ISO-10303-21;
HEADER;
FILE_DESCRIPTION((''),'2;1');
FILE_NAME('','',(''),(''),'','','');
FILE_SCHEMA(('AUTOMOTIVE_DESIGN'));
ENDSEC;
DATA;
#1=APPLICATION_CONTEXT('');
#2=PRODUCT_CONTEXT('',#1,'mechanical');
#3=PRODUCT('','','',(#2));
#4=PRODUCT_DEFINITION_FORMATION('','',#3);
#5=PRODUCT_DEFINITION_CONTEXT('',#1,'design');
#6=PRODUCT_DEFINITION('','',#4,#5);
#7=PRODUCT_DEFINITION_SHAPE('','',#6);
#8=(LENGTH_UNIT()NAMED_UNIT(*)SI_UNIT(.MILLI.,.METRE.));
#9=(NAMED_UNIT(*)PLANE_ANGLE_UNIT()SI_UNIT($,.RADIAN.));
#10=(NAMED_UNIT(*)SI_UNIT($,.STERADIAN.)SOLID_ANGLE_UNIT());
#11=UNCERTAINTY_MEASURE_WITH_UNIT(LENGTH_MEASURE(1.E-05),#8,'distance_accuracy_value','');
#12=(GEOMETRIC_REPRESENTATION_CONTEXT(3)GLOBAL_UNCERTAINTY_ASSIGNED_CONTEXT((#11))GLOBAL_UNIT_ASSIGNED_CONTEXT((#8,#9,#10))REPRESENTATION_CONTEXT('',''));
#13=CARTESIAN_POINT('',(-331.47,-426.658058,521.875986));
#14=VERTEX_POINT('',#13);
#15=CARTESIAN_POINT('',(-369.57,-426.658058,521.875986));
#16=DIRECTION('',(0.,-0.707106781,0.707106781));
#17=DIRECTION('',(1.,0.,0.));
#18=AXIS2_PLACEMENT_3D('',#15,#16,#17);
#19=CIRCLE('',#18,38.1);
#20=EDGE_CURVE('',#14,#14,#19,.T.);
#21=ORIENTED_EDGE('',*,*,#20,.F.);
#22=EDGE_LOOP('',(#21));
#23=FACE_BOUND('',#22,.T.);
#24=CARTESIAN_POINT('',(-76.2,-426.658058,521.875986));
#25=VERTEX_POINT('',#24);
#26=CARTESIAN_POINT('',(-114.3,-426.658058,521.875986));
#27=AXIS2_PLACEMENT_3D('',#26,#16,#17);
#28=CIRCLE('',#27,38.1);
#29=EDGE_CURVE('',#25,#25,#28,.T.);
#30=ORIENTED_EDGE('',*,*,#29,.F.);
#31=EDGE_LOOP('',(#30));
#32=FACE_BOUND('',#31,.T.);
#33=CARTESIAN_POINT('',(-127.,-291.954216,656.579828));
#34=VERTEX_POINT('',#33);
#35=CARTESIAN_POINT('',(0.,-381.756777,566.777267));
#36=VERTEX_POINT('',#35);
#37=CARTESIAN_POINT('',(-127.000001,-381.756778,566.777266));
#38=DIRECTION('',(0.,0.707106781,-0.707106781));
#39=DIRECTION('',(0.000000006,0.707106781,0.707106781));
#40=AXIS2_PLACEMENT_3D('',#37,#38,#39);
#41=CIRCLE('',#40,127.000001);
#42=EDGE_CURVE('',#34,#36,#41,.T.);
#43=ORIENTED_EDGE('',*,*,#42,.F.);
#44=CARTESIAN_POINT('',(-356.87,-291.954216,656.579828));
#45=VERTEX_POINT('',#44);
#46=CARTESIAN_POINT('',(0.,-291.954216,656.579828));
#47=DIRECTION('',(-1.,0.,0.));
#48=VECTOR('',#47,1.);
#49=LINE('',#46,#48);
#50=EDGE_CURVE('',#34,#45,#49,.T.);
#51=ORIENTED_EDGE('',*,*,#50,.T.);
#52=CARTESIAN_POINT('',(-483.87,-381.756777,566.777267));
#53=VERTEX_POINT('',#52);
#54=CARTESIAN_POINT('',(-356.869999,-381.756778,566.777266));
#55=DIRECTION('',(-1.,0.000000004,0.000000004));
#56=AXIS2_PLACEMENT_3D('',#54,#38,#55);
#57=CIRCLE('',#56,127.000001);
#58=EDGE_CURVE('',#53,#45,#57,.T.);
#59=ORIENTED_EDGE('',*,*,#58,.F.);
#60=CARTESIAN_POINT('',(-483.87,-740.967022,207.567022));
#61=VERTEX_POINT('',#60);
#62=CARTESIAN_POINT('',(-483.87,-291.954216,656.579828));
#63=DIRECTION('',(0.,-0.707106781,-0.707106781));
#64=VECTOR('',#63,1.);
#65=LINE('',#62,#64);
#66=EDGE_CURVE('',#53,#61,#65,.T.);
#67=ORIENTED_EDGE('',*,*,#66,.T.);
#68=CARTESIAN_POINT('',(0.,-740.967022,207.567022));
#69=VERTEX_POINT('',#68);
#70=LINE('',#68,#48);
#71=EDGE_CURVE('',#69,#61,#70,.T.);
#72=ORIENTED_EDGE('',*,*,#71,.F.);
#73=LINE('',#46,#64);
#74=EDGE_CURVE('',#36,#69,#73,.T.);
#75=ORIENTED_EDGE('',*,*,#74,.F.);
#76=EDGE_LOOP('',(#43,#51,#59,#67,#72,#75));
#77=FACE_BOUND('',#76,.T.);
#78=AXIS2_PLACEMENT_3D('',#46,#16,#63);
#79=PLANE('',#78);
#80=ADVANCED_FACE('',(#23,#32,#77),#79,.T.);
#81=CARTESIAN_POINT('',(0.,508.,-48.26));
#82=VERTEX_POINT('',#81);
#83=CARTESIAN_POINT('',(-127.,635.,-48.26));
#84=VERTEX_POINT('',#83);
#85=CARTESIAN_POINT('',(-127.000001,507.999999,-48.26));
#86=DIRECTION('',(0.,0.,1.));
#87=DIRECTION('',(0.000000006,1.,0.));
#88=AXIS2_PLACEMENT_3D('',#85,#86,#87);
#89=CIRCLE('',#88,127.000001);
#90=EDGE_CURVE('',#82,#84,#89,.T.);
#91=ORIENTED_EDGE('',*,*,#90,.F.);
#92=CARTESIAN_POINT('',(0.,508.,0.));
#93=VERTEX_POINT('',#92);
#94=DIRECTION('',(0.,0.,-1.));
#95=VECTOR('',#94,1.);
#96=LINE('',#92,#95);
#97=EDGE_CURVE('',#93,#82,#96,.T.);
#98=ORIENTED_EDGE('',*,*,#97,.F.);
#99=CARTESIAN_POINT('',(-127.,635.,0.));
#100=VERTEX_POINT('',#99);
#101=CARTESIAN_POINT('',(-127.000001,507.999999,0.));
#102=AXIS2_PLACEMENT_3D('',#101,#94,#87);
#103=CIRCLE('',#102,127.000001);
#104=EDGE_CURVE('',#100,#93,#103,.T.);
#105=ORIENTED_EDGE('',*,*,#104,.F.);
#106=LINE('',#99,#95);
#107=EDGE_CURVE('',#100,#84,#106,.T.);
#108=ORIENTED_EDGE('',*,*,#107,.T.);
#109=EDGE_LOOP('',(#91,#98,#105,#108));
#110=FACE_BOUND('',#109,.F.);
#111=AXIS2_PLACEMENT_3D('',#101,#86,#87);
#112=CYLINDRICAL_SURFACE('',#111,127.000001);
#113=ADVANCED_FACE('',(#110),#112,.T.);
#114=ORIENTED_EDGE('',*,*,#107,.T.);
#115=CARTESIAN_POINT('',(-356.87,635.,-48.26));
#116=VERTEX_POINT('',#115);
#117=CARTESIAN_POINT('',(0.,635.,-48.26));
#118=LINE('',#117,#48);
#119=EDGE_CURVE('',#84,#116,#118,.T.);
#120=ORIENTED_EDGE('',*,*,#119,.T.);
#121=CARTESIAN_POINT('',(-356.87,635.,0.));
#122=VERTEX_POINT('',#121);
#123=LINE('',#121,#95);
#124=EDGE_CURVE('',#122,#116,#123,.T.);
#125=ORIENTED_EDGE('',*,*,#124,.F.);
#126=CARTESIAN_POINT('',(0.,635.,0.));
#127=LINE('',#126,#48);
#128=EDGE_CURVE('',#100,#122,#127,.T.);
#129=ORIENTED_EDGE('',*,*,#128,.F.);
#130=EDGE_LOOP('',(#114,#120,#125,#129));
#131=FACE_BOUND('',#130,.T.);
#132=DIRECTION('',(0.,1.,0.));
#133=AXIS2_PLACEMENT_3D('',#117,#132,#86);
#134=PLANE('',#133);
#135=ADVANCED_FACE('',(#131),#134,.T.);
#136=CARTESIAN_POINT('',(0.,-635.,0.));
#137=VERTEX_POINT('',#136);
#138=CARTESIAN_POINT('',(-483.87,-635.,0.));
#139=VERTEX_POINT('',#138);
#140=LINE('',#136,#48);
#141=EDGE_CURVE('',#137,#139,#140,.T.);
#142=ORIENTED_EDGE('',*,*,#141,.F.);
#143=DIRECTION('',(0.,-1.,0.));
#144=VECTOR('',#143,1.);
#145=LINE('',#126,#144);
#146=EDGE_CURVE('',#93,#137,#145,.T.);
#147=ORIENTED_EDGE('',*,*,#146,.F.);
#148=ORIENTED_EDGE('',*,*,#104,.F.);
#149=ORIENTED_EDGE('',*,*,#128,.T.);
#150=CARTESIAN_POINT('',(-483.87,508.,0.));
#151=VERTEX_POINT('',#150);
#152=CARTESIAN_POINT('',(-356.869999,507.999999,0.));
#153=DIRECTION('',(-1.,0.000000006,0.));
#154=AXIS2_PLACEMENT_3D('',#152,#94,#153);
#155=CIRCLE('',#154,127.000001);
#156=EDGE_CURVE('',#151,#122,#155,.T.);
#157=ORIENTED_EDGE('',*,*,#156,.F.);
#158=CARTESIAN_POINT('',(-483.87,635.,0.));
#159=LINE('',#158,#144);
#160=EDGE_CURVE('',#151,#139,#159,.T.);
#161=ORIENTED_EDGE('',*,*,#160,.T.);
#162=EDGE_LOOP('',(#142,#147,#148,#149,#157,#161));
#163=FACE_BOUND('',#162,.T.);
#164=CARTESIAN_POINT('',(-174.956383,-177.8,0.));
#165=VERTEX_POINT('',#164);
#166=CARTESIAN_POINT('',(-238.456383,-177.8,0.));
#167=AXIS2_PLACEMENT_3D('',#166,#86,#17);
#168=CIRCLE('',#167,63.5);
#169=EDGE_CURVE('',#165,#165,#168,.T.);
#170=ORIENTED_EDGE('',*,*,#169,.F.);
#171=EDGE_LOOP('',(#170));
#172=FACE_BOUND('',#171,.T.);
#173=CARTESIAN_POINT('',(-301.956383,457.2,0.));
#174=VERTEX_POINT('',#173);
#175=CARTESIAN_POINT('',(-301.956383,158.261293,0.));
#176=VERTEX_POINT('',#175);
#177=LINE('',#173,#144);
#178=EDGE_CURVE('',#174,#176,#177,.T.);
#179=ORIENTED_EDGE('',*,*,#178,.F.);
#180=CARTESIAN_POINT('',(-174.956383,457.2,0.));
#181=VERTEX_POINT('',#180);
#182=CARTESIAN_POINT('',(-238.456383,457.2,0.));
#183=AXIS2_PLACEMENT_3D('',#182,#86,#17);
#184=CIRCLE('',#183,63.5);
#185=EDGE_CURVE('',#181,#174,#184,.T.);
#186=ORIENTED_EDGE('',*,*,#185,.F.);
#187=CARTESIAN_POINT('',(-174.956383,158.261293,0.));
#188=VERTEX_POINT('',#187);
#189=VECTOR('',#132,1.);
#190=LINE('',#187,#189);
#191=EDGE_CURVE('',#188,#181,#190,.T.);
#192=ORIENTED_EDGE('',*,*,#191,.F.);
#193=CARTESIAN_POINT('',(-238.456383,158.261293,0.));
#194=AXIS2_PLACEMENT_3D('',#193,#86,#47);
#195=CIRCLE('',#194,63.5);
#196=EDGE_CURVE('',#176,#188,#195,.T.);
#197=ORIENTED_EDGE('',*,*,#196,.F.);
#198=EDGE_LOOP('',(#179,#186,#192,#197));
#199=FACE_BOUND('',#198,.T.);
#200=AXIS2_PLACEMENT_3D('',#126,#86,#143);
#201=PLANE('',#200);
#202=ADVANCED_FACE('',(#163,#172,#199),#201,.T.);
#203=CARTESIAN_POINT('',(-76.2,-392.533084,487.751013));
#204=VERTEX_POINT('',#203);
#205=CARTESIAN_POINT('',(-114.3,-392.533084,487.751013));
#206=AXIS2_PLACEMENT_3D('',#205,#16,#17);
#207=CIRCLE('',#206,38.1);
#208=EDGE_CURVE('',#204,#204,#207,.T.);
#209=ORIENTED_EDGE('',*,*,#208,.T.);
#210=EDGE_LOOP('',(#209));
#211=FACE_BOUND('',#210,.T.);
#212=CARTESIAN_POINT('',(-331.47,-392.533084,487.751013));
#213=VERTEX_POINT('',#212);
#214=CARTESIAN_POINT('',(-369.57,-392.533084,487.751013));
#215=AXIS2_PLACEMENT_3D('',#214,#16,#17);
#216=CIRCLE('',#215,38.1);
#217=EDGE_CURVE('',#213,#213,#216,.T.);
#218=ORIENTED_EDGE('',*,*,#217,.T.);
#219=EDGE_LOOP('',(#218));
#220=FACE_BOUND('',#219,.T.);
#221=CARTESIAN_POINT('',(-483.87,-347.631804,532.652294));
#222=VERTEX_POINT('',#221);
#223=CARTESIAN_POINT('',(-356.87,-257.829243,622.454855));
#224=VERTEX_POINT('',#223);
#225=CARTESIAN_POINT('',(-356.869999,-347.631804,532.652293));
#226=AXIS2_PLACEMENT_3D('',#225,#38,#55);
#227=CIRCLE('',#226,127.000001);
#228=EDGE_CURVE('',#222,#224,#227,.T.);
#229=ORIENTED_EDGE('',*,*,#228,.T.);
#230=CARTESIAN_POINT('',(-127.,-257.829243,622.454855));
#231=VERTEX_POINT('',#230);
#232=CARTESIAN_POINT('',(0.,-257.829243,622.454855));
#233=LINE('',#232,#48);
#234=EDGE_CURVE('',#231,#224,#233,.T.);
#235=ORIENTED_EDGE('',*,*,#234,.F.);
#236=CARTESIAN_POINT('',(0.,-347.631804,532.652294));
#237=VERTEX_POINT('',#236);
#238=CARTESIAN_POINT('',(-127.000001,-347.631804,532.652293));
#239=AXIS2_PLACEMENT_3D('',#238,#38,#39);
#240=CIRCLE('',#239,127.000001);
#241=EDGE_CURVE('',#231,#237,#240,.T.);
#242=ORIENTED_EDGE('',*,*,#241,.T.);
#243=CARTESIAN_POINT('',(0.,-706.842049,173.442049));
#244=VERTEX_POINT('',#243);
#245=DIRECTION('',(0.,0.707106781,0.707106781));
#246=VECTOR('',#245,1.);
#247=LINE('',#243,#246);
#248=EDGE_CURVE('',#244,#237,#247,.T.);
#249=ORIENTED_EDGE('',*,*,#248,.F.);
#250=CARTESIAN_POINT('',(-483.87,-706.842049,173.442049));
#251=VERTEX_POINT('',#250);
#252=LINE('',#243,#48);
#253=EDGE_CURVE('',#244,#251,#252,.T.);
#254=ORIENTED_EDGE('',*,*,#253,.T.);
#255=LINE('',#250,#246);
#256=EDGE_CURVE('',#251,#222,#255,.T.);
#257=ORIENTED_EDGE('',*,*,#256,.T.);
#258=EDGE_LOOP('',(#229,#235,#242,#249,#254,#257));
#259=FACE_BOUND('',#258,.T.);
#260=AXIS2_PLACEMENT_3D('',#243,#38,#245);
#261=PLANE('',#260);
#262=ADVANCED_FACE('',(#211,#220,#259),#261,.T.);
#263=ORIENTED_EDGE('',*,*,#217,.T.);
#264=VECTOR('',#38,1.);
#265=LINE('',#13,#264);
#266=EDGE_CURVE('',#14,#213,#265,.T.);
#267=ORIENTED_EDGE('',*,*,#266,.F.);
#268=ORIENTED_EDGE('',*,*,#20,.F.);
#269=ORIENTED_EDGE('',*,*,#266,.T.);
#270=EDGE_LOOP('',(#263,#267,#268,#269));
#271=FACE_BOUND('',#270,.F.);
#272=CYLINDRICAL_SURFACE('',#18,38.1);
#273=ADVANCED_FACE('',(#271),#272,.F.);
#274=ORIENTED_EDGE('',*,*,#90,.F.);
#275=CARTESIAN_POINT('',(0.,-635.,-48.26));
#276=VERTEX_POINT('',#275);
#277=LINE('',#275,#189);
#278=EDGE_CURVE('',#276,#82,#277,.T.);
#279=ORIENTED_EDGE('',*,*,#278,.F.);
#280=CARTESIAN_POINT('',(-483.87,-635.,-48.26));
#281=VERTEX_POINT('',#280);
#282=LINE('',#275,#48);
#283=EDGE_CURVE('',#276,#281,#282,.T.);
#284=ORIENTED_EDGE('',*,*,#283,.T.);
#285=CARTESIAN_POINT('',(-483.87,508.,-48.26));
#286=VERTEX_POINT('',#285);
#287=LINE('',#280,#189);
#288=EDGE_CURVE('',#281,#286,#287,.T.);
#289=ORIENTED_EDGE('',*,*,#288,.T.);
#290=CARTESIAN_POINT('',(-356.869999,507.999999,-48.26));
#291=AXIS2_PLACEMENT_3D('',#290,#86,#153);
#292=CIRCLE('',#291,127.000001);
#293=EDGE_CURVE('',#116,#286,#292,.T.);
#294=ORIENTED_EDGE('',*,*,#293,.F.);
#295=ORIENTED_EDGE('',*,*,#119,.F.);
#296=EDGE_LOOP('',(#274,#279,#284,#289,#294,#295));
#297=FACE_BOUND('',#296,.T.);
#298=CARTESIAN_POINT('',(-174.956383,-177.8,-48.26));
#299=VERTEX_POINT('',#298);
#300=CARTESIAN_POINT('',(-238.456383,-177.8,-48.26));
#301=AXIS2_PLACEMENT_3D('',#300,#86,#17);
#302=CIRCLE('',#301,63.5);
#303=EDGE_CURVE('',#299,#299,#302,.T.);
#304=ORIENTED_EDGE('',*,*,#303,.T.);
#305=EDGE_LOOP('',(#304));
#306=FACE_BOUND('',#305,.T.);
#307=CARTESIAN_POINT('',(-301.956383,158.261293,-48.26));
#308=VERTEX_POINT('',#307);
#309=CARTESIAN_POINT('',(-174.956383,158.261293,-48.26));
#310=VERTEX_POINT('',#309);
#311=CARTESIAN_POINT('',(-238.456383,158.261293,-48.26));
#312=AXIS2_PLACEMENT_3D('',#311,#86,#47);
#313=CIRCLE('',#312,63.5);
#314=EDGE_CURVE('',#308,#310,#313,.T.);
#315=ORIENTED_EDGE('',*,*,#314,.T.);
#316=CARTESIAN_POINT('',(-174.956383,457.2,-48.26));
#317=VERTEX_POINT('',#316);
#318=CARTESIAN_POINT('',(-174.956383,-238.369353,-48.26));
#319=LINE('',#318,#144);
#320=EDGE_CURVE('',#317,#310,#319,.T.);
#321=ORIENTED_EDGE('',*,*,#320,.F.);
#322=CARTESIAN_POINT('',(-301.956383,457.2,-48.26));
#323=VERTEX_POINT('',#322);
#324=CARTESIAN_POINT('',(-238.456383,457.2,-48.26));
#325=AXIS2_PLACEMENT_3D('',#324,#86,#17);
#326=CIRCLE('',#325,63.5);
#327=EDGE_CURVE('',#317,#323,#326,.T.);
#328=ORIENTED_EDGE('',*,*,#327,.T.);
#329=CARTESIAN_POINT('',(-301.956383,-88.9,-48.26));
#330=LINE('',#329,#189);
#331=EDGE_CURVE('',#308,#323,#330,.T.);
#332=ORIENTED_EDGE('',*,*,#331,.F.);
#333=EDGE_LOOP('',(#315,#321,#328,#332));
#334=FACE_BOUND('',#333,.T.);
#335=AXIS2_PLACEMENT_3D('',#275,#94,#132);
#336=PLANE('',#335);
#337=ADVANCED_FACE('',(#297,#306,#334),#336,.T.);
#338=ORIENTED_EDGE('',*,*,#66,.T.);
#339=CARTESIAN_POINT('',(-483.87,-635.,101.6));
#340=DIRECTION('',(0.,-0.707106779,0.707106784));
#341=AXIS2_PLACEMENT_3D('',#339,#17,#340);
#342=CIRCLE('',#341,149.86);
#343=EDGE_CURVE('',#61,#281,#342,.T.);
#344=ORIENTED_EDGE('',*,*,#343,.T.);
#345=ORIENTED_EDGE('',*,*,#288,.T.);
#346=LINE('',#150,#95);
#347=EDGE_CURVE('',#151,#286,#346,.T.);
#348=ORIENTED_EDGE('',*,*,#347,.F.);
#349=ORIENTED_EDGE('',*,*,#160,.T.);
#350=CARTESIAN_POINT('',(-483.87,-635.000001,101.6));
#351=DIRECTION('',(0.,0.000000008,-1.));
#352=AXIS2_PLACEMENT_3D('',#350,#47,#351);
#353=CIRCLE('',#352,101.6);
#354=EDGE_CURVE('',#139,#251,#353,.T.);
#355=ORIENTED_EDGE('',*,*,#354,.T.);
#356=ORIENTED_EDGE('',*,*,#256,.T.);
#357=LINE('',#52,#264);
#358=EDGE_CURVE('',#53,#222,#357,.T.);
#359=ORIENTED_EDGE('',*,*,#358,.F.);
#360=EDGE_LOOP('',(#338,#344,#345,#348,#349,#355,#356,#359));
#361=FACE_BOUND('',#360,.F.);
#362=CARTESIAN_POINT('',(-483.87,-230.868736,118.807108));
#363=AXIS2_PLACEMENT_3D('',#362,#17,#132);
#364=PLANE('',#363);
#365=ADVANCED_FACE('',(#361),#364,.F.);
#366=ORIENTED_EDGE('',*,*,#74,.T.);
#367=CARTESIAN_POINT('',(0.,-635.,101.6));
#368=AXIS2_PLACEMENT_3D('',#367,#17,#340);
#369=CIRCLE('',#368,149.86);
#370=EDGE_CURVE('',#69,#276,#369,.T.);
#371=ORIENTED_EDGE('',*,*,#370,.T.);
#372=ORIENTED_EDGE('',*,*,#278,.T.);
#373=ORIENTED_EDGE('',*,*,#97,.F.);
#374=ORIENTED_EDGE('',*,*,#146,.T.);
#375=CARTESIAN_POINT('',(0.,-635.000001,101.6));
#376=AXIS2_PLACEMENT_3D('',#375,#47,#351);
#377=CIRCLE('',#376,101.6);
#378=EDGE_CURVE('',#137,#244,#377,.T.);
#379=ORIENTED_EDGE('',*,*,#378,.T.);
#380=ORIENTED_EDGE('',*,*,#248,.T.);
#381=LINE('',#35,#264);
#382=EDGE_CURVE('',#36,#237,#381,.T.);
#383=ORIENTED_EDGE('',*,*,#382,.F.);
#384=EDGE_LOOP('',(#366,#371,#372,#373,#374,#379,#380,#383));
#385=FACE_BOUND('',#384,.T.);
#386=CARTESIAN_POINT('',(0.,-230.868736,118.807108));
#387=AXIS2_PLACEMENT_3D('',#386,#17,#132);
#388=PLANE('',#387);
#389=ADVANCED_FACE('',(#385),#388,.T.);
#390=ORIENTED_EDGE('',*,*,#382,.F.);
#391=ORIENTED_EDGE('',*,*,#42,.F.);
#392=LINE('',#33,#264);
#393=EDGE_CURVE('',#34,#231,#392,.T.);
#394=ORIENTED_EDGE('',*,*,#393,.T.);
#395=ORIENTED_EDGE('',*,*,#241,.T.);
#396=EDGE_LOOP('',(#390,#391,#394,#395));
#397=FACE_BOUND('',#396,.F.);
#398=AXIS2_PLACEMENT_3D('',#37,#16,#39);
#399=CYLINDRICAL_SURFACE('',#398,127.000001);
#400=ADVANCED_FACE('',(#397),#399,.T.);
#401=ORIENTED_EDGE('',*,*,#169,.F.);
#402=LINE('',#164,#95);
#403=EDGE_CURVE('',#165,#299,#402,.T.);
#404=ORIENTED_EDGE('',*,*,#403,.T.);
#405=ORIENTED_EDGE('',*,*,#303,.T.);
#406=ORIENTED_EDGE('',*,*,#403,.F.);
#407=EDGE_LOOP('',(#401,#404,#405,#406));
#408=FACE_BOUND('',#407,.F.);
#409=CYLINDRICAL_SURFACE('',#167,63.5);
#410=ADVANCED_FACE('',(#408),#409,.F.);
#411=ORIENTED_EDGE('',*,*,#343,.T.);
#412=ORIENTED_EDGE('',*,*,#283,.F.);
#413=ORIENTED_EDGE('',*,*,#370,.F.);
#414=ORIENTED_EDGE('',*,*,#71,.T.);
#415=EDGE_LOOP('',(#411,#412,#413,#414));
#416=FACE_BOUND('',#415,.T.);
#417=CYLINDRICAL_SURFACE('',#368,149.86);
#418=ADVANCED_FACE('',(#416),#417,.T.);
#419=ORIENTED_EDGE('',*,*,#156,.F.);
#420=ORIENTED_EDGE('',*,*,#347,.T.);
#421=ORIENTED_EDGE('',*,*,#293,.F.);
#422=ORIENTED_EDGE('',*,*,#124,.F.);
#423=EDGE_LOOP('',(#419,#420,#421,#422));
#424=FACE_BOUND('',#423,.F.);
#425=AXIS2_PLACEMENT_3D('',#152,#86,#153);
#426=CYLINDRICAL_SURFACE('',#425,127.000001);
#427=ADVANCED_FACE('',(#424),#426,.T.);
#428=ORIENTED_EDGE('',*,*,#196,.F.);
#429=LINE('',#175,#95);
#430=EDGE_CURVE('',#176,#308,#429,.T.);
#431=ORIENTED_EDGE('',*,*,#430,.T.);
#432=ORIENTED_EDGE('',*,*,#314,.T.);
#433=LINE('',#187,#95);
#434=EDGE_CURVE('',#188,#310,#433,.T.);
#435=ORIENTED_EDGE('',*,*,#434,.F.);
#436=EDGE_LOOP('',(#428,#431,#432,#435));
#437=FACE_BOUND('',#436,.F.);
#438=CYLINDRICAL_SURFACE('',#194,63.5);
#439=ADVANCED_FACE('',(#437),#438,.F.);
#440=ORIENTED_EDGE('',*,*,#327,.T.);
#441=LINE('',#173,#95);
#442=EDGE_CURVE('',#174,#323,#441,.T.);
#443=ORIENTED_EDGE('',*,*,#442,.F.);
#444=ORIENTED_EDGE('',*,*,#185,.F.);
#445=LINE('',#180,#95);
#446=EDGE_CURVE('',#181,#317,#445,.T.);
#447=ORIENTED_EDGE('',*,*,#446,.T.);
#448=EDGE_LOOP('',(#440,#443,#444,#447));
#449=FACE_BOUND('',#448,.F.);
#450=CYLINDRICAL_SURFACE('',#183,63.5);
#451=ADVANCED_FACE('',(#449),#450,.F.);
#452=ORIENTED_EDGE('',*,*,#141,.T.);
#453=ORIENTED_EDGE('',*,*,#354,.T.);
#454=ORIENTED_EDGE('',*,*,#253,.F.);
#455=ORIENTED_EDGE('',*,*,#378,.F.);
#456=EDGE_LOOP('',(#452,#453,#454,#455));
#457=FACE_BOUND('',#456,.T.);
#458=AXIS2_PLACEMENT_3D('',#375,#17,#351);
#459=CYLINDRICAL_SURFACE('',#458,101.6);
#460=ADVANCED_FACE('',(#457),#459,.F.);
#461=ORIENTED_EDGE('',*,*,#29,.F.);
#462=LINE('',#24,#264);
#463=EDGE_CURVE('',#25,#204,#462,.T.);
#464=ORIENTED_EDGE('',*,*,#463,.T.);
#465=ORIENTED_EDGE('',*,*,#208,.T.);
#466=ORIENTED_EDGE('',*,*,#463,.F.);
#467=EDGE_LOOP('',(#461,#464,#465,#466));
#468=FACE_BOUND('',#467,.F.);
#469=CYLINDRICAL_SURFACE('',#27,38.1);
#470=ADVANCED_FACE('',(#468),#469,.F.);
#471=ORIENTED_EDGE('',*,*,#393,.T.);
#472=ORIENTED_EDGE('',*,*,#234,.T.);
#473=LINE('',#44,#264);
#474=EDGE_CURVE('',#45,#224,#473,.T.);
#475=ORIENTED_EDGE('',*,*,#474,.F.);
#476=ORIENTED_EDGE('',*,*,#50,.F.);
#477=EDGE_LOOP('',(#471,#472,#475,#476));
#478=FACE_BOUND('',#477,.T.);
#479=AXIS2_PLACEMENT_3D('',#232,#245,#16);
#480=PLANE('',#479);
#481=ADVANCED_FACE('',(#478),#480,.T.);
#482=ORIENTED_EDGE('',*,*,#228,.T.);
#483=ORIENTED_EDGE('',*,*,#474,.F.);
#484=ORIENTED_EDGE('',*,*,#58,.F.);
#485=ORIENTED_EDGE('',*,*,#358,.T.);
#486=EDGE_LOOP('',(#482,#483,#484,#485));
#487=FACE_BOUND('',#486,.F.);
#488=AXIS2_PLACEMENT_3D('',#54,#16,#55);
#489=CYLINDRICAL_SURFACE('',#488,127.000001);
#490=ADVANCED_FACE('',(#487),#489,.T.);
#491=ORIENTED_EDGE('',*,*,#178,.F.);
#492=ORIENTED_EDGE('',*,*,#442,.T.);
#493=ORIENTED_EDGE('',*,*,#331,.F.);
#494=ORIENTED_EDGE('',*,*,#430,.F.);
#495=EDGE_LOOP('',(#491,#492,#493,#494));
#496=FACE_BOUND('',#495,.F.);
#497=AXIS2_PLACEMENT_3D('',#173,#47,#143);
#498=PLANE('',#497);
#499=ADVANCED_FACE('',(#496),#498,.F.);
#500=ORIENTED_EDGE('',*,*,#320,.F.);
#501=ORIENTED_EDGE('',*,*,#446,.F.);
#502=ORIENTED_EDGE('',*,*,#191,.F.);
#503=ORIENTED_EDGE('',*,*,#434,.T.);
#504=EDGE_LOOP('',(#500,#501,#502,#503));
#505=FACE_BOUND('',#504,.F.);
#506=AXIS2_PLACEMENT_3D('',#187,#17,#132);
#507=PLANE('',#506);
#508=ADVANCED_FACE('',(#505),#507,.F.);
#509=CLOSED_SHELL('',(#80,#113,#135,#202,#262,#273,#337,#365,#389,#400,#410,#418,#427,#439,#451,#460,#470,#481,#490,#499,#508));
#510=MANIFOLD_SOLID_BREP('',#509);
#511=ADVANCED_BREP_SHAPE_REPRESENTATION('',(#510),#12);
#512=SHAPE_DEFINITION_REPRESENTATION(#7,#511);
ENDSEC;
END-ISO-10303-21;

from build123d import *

# Parameters (mm, degrees)
F1_DEPTH = 483.87
F2_R     = 63.5
F3_DEPTH = 48.261
F4_R     = 38.1
F5_DEPTH = 48.26
F7_DEPTH = 48.261
F9_DEPTH = 48.26


with BuildPart() as f1:
    # F0 (on Right) → F1 (new body)
    with BuildSketch(Plane.YZ):
        with BuildLine():
            Line((635, 0), (-635, 0))
            ThreePointArc((-635, 0), (-728.866161, 62.719363), (-706.842049, 173.442049))
            Line((-706.842049, 173.442049), (-257.829243, 622.454855))
            Line((-257.829243, 622.454855), (-291.954216, 656.579828))
            Line((-291.954216, 656.579828), (-740.967022, 207.567022))
            ThreePointArc((-740.967022, 207.567022), (-773.452587, 44.251061), (-635, -48.26))
            Line((-635, -48.26), (635, -48.26))
            Line((635, -48.26), (635, 0))
        make_face()
    extrude(amount=-F1_DEPTH)

    # F2 (on face) → F3 (cut, through all)
    with BuildSketch(Plane.XY):
        with Locations((-238.456383, -177.8)):
            Circle(F2_R)
        with BuildLine():
            Line((-174.956383, 158.261293), (-174.956383, 457.2))
            ThreePointArc((-174.956383, 457.2), (-238.456383, 520.7), (-301.956383, 457.2))
            Line((-301.956383, 457.2), (-301.956383, 158.261293))
            ThreePointArc((-301.956383, 158.261293), (-238.456383, 94.761293), (-174.956383, 158.261293))
        make_face()
    extrude(amount=-F3_DEPTH, mode=Mode.SUBTRACT)

    # F4 (on face) → F5 (cut, through all)
    with BuildSketch(Plane(origin=(0, -474.267022, 474.267022), x_dir=(1, 0, 0), z_dir=(0, -0.707107, 0.707107))):
        with Locations((-369.57, 67.329243)):
            Circle(F4_R)
        with Locations((-114.3, 67.329243)):
            Circle(F4_R)
    extrude(amount=-F5_DEPTH, mode=Mode.SUBTRACT)

    # F6 (on face) → F7 (cut, through all)
    with BuildSketch(Plane.XY):
        with BuildLine():
            ThreePointArc((-127, 635), (-37.197439, 597.802561), (0, 508))
            Line((0, 508), (0, 635))
            Line((0, 635), (-127, 635))
        make_face()
        with BuildLine():
            Line((-483.87, 635), (-483.87, 508))
            ThreePointArc((-483.87, 508), (-446.672561, 597.802561), (-356.87, 635))
            Line((-356.87, 635), (-483.87, 635))
        make_face()
    extrude(amount=-F7_DEPTH, mode=Mode.SUBTRACT)

    # F8 (on face) → F9 (cut, through all)
    with BuildSketch(Plane(origin=(0, -474.267022, 474.267022), x_dir=(1, 0, 0), z_dir=(0, -0.707107, 0.707107))):
        with BuildLine():
            ThreePointArc((-483.87, 130.829243), (-446.672561, 220.631804), (-356.87, 257.829243))
            Line((-356.87, 257.829243), (-483.87, 257.829243))
            Line((-483.87, 257.829243), (-483.87, 130.829243))
        make_face()
        with BuildLine():
            Line((0, 257.829243), (-127, 257.829243))
            ThreePointArc((-127, 257.829243), (-37.197439, 220.631804), (0, 130.829243))
            Line((0, 130.829243), (0, 257.829243))
        make_face()
    extrude(amount=-F9_DEPTH, mode=Mode.SUBTRACT)


solid = f1.part
